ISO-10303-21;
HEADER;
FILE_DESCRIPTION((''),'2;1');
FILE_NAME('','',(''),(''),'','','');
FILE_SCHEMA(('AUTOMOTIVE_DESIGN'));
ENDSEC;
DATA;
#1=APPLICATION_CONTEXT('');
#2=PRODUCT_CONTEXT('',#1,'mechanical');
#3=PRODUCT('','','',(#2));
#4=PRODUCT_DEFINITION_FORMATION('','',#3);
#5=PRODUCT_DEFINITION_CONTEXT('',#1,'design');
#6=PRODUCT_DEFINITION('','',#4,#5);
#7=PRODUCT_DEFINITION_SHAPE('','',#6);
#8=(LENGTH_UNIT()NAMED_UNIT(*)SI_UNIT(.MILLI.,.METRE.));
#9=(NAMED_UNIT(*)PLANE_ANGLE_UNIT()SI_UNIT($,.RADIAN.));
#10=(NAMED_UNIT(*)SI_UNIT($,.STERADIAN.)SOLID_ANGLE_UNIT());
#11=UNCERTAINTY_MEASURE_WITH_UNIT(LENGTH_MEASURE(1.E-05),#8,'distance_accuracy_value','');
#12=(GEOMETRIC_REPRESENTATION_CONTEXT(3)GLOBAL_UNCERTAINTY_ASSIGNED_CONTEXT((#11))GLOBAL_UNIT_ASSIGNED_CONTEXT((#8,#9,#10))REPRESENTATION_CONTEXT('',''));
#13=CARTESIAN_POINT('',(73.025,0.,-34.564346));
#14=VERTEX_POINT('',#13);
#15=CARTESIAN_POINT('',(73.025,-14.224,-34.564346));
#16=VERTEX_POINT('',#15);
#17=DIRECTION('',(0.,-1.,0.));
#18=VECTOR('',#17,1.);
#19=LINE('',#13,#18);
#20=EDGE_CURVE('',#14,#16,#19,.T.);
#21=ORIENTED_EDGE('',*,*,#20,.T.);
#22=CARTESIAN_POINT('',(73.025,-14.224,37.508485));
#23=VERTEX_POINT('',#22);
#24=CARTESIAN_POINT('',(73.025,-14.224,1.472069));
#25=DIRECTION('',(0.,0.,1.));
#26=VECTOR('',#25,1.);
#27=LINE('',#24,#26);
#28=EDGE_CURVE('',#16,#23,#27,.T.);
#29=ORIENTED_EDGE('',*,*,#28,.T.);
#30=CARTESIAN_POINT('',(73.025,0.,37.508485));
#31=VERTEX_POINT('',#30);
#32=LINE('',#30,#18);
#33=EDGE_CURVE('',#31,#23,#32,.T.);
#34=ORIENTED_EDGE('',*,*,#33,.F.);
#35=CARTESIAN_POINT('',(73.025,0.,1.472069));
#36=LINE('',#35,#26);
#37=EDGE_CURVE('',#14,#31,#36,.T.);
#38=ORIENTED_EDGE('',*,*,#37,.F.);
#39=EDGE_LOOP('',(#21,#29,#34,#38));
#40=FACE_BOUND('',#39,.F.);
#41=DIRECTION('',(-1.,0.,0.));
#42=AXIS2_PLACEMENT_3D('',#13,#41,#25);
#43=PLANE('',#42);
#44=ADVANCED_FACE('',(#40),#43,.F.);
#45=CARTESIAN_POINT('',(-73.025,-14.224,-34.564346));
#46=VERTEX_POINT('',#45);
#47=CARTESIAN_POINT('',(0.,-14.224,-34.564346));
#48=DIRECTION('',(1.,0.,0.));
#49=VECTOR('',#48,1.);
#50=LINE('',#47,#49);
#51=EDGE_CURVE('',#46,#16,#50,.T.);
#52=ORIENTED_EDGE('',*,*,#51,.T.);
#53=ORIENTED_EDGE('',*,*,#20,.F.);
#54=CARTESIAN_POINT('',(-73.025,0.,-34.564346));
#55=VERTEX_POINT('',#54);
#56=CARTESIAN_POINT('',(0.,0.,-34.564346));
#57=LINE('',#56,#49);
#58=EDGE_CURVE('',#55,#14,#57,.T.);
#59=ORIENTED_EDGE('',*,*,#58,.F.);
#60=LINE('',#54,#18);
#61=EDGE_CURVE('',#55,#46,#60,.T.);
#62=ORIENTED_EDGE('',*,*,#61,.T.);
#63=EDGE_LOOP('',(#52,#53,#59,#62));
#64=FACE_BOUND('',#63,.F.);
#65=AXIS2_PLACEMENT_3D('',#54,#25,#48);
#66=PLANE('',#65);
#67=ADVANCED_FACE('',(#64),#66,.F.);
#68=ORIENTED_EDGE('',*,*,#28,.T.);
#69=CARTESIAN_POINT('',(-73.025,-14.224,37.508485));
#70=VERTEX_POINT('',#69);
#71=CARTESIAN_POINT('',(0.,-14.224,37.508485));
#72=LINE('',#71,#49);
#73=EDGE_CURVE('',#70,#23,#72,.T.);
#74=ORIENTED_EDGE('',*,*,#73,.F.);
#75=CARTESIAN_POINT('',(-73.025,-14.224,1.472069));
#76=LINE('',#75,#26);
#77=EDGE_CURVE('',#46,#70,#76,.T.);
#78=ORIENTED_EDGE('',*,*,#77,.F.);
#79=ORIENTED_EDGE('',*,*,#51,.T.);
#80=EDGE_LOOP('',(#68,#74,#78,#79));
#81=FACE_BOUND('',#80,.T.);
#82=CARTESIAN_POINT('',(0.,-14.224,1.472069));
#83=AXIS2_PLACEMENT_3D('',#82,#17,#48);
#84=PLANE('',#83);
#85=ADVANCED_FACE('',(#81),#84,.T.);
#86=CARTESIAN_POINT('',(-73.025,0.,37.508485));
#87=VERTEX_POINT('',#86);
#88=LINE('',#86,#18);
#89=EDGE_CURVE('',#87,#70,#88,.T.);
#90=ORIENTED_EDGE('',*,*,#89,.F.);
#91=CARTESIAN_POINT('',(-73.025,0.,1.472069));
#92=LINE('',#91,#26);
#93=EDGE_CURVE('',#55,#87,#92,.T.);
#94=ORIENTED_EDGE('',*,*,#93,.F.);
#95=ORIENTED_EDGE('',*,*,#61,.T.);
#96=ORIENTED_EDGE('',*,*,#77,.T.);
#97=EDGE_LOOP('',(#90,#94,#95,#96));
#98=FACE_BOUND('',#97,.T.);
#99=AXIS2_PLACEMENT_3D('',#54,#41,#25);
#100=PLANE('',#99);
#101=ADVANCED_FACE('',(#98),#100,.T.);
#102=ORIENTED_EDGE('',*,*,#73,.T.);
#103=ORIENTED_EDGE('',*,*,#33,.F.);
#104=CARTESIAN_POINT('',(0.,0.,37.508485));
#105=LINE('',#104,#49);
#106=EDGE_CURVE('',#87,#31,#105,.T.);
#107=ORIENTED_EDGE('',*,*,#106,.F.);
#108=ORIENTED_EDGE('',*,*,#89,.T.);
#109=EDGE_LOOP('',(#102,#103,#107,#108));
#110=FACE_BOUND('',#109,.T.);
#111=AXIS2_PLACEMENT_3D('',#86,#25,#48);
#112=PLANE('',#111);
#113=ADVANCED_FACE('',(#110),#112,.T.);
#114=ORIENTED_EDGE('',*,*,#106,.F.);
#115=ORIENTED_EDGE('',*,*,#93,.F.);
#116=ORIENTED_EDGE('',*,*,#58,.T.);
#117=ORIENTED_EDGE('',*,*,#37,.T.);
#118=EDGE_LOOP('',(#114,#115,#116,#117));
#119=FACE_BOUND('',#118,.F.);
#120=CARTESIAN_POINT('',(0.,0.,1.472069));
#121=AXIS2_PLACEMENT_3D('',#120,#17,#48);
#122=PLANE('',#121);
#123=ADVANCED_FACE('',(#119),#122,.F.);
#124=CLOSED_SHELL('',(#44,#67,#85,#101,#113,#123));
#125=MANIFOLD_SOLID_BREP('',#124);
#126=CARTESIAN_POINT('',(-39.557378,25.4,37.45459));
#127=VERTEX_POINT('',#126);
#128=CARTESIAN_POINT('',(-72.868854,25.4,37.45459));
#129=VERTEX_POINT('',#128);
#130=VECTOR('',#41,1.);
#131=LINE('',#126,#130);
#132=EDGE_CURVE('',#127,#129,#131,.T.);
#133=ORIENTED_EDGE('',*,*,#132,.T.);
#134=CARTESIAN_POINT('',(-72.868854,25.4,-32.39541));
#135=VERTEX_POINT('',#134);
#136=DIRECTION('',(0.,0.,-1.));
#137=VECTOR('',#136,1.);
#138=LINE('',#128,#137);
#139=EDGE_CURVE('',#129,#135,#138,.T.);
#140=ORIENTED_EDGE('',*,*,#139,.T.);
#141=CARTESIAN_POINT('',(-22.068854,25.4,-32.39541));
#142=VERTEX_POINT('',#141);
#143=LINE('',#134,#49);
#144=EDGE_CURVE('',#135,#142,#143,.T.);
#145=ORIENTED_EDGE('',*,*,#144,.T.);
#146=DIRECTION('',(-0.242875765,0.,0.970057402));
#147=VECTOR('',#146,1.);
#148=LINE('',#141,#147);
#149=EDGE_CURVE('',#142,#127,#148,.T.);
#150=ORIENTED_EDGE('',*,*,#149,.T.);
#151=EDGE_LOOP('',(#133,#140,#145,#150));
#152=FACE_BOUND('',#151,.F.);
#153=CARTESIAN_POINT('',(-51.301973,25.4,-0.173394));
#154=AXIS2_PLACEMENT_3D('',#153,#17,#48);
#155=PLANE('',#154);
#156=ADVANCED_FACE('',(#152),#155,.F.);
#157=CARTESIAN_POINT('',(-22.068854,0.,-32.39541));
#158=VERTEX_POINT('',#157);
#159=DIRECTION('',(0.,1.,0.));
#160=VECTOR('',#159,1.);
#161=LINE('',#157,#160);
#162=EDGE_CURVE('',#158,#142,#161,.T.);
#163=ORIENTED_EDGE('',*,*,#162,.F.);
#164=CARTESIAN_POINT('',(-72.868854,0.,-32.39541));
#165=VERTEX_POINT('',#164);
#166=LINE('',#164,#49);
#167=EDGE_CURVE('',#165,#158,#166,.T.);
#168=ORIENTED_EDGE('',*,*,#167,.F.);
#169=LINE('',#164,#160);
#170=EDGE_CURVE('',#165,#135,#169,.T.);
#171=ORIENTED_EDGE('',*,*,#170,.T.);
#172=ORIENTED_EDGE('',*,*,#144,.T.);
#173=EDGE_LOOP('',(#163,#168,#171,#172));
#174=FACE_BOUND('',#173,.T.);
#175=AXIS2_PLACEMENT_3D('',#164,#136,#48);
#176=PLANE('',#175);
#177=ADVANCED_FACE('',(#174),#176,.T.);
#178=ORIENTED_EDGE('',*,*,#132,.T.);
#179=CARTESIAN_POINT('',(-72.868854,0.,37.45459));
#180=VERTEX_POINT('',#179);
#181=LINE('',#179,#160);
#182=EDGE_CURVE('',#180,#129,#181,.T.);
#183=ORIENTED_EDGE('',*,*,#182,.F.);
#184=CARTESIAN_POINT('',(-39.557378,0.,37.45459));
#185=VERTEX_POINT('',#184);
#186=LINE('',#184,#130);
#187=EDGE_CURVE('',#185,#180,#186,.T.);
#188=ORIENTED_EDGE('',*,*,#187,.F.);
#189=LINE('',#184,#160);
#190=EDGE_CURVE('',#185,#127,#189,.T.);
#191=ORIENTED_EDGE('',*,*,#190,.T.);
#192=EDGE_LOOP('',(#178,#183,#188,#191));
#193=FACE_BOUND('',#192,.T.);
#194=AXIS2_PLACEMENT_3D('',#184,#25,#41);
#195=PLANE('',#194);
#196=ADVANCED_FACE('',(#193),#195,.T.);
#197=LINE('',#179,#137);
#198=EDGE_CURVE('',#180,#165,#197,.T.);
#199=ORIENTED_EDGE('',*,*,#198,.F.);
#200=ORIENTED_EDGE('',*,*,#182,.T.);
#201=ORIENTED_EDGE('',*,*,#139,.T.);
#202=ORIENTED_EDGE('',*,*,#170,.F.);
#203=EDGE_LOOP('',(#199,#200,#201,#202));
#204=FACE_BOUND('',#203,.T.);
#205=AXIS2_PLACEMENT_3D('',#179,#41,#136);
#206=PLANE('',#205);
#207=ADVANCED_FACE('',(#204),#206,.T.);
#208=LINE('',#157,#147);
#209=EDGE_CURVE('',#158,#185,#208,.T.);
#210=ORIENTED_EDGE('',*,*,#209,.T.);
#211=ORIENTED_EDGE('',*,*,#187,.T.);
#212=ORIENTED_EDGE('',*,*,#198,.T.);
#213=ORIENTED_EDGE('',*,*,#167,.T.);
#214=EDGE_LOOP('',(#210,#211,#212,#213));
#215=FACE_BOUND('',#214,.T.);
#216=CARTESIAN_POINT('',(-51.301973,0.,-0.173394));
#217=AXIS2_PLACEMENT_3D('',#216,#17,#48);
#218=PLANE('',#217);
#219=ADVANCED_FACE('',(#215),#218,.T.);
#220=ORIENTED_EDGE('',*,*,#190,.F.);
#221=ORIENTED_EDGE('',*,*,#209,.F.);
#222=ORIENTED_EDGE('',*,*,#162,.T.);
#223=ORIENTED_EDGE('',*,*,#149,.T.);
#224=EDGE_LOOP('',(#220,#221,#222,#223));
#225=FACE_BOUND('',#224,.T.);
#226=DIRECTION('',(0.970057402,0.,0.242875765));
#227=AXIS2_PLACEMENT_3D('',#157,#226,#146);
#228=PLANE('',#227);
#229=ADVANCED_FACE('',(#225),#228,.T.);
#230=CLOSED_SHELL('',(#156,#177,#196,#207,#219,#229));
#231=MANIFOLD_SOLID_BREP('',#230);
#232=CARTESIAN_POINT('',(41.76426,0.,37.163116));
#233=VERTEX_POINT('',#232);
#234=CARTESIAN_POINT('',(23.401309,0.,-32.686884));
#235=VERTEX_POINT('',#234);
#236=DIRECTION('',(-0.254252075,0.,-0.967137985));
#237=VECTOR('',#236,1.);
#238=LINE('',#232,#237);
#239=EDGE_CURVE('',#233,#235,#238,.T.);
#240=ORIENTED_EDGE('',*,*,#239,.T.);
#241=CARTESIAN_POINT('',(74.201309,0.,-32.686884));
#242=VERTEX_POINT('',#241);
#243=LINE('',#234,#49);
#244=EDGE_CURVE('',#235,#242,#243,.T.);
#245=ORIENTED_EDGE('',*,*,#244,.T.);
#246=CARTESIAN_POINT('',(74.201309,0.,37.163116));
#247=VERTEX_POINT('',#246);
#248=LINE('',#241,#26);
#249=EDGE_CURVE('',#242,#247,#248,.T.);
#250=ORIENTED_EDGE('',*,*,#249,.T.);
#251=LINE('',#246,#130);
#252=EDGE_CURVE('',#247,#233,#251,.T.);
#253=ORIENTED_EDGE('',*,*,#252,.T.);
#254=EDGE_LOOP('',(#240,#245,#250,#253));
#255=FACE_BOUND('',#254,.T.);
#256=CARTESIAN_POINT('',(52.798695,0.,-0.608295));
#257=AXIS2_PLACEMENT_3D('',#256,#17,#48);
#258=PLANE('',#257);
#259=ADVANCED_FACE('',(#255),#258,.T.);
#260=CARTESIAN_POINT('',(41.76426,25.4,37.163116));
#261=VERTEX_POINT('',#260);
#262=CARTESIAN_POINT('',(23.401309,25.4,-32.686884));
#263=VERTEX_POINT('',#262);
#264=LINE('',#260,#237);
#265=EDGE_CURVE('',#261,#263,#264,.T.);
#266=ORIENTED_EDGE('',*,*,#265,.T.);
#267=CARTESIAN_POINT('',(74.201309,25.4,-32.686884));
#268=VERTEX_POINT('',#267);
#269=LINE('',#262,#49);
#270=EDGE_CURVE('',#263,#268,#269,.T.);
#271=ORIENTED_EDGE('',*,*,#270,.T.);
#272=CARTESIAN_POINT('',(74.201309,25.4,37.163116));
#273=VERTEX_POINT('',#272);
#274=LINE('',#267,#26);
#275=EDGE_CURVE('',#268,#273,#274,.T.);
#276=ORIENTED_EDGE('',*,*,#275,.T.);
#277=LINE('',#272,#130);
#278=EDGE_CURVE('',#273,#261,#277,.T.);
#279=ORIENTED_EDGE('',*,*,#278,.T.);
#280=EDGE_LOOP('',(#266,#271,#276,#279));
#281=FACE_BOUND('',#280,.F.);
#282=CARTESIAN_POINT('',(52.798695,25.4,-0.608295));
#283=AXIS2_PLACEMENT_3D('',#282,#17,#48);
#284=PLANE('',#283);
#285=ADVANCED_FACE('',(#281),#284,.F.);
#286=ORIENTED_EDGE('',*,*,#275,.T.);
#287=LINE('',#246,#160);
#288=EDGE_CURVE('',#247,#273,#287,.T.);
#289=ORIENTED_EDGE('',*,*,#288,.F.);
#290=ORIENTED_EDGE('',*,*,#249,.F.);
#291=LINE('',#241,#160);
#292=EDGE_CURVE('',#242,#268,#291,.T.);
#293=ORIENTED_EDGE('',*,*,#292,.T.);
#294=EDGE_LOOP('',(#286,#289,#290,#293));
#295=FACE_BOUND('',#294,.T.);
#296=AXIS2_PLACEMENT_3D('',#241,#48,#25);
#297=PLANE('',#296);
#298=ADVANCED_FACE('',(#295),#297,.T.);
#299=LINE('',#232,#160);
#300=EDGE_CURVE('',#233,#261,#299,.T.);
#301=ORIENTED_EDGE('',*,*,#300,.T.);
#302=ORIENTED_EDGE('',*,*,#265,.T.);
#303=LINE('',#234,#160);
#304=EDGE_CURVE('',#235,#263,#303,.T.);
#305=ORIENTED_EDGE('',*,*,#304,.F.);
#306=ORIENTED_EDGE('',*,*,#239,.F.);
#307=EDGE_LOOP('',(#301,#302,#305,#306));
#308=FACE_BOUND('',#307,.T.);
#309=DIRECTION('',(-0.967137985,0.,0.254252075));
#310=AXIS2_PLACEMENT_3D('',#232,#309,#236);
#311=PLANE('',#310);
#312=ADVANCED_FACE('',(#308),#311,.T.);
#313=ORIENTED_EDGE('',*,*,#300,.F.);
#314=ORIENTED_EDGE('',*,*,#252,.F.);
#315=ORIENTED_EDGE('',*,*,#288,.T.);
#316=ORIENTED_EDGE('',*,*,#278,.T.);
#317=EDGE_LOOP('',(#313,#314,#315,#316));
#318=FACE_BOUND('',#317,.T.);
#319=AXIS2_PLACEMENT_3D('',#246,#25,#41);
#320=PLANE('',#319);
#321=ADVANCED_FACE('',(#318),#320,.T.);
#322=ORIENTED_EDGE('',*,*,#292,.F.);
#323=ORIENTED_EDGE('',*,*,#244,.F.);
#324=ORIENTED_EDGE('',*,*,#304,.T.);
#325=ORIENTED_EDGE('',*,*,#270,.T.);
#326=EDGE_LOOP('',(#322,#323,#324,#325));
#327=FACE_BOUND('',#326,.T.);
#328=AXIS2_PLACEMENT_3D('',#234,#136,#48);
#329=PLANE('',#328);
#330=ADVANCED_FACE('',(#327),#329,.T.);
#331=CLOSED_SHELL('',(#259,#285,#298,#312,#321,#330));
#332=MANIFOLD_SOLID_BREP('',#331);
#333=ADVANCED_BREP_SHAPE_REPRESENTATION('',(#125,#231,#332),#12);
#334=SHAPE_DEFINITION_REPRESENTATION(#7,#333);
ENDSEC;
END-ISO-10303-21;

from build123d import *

# Parameters (mm, degrees)
F0_W     = 146.05
F0_H     = 72.072831
F1_DEPTH = 14.224
F3_DEPTH = 25.4


with BuildPart() as f1:
    # F0 (on Front) → F1 (new body)
    with BuildSketch(Plane.XZ):
        with Locations((0, 1.472069)):
            Rectangle(F0_W, F0_H)
    extrude(amount=F1_DEPTH)


with BuildPart() as f3:
    # F2 (on Front) → F3 (new body)
    with BuildSketch(Plane.XZ):
        Polygon((74.201309, 37.163116), (41.76426, 37.163116), (23.401309, -32.686884), (74.201309, -32.686884), align=None)
        Polygon((-22.068854, -32.39541), (-39.557378, 37.45459), (-72.868854, 37.45459), (-72.868854, -32.39541), align=None)
    extrude(amount=-F3_DEPTH)


solid = Compound([f1.part, f3.part])
